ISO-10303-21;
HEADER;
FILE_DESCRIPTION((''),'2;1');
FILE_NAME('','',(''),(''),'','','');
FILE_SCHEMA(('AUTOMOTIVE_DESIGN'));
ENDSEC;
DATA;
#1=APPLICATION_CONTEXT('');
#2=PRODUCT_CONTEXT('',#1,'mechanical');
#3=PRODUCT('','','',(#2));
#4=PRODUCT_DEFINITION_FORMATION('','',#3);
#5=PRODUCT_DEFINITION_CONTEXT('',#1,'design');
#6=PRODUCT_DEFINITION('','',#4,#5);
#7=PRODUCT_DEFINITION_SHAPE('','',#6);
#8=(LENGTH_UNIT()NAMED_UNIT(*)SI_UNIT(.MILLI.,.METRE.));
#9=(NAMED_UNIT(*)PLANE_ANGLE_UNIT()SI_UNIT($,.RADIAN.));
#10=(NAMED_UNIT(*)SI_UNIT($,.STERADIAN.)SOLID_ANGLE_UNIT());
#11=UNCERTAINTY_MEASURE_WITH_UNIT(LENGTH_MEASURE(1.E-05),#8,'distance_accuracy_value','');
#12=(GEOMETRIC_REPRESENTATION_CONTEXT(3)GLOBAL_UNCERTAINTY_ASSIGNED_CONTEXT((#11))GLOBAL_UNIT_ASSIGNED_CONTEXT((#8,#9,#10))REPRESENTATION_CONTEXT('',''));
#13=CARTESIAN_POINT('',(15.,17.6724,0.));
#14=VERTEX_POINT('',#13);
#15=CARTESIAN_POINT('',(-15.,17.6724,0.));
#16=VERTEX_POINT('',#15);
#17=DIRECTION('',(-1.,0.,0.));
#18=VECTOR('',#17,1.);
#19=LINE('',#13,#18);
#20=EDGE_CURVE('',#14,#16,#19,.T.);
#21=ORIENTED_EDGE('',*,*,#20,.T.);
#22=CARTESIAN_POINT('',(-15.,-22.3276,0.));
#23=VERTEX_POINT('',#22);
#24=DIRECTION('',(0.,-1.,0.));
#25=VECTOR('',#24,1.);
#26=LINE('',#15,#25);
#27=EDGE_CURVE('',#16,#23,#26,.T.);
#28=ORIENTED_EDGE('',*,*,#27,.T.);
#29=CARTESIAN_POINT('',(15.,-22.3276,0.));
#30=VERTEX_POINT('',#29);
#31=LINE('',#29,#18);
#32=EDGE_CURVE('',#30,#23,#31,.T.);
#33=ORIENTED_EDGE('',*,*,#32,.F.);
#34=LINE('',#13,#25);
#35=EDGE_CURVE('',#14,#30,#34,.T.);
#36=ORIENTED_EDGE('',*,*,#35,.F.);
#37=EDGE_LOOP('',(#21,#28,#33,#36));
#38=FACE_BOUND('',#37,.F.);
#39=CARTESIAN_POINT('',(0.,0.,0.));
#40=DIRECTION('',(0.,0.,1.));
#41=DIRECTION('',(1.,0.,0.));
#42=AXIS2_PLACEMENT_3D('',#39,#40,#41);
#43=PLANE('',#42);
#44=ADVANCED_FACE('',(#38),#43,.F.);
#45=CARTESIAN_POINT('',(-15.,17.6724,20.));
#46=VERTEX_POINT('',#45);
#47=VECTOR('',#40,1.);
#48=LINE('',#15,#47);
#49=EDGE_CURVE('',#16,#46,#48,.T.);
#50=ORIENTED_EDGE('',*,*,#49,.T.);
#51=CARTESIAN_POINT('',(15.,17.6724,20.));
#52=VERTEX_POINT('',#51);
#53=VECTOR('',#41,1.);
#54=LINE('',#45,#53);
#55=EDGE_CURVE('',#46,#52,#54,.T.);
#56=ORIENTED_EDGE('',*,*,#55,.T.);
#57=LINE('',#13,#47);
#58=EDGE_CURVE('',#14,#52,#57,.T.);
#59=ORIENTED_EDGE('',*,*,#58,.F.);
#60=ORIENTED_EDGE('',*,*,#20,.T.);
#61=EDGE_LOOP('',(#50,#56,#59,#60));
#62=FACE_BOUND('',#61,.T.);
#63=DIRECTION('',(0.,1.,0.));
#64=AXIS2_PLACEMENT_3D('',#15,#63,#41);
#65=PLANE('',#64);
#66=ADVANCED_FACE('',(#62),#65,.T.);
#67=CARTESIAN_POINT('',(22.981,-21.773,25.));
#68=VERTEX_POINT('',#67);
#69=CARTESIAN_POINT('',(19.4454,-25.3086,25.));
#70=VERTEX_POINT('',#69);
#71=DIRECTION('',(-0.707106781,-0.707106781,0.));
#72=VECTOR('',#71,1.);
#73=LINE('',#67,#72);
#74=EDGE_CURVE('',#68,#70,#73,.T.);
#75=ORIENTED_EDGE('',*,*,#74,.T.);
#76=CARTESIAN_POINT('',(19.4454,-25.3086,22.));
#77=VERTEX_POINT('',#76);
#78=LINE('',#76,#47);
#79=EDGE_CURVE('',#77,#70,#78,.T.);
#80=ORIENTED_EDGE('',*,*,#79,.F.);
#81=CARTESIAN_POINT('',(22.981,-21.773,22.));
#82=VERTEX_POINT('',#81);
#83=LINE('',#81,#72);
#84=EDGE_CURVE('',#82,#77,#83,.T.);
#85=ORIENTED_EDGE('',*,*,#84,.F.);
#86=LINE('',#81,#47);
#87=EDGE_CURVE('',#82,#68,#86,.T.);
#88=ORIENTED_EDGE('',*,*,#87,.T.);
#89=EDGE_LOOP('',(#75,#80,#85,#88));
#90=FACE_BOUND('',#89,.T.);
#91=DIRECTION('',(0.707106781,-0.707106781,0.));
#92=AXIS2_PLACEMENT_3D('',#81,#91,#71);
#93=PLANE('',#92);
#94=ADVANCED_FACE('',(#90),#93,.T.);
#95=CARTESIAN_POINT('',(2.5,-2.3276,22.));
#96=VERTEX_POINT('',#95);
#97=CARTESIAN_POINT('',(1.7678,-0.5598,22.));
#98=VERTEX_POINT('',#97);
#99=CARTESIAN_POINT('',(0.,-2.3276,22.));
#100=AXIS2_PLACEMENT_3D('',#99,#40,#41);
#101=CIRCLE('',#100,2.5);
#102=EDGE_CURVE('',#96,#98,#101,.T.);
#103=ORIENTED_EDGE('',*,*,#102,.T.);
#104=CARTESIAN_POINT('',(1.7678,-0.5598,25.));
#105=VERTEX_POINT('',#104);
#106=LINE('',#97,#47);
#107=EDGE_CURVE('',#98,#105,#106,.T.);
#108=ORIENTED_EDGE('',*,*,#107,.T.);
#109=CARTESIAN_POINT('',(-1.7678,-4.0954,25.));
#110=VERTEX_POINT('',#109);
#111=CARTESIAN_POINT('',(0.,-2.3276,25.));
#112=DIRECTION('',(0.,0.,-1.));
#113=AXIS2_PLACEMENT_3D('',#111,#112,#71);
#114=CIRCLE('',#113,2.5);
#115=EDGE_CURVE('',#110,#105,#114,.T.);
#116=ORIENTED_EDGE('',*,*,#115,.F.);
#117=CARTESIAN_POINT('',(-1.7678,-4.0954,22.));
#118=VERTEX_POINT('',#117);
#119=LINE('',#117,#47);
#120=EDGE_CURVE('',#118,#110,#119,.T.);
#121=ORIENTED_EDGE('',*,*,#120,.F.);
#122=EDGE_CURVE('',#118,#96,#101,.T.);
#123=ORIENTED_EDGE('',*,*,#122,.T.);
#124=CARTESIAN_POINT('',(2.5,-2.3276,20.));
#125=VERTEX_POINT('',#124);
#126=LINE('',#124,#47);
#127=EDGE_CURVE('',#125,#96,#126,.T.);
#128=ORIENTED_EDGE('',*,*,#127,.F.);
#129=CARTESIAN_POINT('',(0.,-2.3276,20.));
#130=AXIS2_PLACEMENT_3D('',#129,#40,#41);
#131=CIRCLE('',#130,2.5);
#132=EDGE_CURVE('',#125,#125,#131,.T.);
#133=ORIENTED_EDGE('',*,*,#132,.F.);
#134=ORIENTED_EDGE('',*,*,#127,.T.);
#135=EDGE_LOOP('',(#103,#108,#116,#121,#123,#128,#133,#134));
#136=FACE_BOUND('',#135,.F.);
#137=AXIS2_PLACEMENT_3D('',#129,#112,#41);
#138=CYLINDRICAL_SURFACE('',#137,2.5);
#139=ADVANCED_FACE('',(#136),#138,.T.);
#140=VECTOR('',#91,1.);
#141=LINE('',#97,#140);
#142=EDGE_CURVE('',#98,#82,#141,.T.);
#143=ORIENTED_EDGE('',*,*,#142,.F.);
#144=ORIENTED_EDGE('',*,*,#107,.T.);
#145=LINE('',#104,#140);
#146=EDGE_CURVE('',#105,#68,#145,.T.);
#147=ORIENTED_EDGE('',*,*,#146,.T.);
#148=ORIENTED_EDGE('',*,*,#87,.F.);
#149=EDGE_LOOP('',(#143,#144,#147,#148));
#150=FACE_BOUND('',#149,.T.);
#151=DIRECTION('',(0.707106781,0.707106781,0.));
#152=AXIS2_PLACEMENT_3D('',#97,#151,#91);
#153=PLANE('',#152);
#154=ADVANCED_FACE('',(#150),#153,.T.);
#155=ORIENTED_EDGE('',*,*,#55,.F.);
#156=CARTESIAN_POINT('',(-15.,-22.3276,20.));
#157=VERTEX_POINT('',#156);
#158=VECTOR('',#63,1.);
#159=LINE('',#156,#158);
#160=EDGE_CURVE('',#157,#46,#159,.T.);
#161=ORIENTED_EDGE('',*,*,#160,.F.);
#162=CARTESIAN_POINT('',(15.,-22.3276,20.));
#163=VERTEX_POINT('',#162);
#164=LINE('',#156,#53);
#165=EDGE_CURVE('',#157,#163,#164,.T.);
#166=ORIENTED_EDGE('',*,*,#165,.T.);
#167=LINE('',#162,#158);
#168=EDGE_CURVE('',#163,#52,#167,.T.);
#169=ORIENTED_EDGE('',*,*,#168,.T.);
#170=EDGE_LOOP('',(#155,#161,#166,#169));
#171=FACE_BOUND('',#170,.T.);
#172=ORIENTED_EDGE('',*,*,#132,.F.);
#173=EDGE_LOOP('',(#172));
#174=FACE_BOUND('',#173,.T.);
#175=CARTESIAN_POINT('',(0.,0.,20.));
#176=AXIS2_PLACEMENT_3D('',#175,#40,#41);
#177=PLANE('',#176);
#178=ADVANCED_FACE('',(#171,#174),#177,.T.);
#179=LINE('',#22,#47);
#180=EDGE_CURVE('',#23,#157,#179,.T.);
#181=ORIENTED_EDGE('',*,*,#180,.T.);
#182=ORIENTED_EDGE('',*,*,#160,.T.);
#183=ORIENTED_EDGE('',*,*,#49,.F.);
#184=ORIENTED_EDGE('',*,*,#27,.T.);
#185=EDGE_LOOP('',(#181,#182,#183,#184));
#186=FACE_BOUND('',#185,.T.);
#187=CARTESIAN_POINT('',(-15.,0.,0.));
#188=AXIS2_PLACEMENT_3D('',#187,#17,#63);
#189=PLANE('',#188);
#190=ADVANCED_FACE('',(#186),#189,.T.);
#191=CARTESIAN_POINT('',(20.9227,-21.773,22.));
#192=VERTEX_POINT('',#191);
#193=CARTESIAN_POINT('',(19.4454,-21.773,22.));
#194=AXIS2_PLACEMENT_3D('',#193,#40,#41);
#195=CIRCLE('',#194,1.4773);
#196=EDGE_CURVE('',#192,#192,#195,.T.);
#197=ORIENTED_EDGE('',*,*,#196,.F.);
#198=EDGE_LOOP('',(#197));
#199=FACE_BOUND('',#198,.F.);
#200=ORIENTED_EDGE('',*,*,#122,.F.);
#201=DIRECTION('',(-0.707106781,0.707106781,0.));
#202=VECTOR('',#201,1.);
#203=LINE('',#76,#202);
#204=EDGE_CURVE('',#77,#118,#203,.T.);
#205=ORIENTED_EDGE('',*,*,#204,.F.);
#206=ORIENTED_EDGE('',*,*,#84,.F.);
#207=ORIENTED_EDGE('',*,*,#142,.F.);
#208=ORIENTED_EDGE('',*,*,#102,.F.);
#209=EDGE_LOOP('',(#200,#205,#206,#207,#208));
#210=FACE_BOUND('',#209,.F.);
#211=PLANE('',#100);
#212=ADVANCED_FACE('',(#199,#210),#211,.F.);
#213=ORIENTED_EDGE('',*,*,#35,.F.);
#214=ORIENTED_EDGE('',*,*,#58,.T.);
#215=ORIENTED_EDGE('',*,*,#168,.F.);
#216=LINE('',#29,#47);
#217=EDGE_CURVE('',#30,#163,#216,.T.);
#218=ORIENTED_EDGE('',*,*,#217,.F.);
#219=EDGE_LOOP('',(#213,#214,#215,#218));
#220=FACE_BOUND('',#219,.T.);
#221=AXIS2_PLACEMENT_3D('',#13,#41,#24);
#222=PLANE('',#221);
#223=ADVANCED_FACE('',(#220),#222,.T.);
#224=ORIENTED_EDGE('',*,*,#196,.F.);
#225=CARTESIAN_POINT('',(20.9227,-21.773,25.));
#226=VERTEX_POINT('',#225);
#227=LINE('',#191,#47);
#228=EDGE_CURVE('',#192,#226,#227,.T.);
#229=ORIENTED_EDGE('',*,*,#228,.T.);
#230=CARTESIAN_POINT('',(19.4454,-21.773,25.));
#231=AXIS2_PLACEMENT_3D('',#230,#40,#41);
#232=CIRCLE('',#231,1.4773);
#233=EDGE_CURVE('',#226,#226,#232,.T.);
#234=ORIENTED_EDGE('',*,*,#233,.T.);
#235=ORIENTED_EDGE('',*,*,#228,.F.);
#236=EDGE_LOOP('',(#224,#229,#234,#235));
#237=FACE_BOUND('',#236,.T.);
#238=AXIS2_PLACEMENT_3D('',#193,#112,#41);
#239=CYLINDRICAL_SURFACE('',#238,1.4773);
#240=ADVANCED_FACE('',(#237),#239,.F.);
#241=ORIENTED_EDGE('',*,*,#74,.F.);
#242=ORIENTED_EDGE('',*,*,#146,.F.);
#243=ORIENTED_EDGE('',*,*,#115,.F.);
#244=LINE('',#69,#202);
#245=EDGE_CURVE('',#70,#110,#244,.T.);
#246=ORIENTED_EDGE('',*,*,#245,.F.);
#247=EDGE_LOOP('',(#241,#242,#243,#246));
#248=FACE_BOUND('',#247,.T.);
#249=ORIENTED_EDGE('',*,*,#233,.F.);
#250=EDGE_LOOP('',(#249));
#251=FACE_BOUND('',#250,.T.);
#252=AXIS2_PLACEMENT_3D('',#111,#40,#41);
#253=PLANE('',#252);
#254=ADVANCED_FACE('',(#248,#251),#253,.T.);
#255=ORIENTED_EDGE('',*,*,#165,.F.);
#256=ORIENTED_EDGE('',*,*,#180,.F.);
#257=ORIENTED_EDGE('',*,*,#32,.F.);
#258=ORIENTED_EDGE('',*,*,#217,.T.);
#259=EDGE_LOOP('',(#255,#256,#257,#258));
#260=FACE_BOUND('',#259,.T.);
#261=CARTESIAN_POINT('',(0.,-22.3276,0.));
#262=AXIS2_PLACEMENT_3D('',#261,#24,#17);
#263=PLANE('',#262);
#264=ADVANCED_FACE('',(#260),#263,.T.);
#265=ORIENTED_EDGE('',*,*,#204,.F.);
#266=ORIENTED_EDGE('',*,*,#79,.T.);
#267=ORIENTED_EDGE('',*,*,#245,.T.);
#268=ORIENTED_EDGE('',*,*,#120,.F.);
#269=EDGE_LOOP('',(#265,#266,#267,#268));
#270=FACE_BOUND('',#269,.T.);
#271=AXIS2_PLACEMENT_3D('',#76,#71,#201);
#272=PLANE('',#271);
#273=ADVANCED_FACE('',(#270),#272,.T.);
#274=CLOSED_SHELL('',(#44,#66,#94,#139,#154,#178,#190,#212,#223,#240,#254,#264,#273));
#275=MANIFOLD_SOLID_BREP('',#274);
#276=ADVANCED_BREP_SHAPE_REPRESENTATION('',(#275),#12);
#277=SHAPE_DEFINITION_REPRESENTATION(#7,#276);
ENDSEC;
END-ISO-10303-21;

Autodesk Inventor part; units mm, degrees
ref_plane "YZ Plane" through (0, 0, 0) normal (1, 0, 0) x (0, 1, 0)
ref_plane "XZ Plane" through (0, 0, 0) normal (0, 1, 0) x (-1, 0, 0)
ref_plane "XY Plane" through (0, 0, 0) normal (0, 0, 1) x (1, 0, 0)
sketch "Skizze1" plane through (0, 0, 0) normal (0, 0, 1) x (1, 0, 0)
  line L0 (-21, 0) -> (21, 0) projected
  line L1 (0, -30.3276) -> (0, 25.6724) projected
  line L2 (-15, 17.6724) -> (15, 17.6724)
  line L3 (15, 17.6724) -> (15, -22.3276)
  line L4 (15, -22.3276) -> (-15, -22.3276)
  line L5 (-15, -22.3276) -> (-15, 17.6724)
  point P0 (0, 0)
  dimension "d0" = 40
  dimension "d1" = 30
extrude "Extrusion1" add sketch "Skizze1" along normal blind 20
sketch "Skizze5" plane through (0, 0, 20) normal (0, 0, 1) x (1, 0, 0)
  circle A0 centre (0, -2.3276) radius 2.5
  line L0 (15, 17.6724) -> (-15, 17.6724) projected
  point P0 (0, 0)
  dimension "d22" = 5
  dimension "d23" = 20
extrude "Extrusion5" add sketch "Skizze5" along normal blind 2
sketch "Skizze6" plane through (0, -2.3276, 22) normal (0, 0, 1) x (1, 0, 0)
  circle A0 centre (0, 0) radius 2.5 projected
  line L0 (-2.5, 0) -> (2.5, 0)
  line L1 (1.7678, 1.7678) -> (0, 0)
  line L2 (0, 0) -> (-1.7678, -1.7678)
  line L3 (1.7678, 1.7678) -> (22.981, -19.4454)
  line L4 (22.981, -19.4454) -> (19.4454, -22.981)
  line L5 (19.4454, -22.981) -> (-1.7678, -1.7678)
  circle A1 centre (19.4454, -19.4454) radius 1.4773
  point P0 (0, 2.3276)
  dimension "d26" = 45
  dimension "d27" = 30
  dimension "d28" = 2.5
  dimension "d29" = 2.5
extrude "Extrusion6" add sketch "Skizze6" along normal blind 3
properties part number "Motor"
